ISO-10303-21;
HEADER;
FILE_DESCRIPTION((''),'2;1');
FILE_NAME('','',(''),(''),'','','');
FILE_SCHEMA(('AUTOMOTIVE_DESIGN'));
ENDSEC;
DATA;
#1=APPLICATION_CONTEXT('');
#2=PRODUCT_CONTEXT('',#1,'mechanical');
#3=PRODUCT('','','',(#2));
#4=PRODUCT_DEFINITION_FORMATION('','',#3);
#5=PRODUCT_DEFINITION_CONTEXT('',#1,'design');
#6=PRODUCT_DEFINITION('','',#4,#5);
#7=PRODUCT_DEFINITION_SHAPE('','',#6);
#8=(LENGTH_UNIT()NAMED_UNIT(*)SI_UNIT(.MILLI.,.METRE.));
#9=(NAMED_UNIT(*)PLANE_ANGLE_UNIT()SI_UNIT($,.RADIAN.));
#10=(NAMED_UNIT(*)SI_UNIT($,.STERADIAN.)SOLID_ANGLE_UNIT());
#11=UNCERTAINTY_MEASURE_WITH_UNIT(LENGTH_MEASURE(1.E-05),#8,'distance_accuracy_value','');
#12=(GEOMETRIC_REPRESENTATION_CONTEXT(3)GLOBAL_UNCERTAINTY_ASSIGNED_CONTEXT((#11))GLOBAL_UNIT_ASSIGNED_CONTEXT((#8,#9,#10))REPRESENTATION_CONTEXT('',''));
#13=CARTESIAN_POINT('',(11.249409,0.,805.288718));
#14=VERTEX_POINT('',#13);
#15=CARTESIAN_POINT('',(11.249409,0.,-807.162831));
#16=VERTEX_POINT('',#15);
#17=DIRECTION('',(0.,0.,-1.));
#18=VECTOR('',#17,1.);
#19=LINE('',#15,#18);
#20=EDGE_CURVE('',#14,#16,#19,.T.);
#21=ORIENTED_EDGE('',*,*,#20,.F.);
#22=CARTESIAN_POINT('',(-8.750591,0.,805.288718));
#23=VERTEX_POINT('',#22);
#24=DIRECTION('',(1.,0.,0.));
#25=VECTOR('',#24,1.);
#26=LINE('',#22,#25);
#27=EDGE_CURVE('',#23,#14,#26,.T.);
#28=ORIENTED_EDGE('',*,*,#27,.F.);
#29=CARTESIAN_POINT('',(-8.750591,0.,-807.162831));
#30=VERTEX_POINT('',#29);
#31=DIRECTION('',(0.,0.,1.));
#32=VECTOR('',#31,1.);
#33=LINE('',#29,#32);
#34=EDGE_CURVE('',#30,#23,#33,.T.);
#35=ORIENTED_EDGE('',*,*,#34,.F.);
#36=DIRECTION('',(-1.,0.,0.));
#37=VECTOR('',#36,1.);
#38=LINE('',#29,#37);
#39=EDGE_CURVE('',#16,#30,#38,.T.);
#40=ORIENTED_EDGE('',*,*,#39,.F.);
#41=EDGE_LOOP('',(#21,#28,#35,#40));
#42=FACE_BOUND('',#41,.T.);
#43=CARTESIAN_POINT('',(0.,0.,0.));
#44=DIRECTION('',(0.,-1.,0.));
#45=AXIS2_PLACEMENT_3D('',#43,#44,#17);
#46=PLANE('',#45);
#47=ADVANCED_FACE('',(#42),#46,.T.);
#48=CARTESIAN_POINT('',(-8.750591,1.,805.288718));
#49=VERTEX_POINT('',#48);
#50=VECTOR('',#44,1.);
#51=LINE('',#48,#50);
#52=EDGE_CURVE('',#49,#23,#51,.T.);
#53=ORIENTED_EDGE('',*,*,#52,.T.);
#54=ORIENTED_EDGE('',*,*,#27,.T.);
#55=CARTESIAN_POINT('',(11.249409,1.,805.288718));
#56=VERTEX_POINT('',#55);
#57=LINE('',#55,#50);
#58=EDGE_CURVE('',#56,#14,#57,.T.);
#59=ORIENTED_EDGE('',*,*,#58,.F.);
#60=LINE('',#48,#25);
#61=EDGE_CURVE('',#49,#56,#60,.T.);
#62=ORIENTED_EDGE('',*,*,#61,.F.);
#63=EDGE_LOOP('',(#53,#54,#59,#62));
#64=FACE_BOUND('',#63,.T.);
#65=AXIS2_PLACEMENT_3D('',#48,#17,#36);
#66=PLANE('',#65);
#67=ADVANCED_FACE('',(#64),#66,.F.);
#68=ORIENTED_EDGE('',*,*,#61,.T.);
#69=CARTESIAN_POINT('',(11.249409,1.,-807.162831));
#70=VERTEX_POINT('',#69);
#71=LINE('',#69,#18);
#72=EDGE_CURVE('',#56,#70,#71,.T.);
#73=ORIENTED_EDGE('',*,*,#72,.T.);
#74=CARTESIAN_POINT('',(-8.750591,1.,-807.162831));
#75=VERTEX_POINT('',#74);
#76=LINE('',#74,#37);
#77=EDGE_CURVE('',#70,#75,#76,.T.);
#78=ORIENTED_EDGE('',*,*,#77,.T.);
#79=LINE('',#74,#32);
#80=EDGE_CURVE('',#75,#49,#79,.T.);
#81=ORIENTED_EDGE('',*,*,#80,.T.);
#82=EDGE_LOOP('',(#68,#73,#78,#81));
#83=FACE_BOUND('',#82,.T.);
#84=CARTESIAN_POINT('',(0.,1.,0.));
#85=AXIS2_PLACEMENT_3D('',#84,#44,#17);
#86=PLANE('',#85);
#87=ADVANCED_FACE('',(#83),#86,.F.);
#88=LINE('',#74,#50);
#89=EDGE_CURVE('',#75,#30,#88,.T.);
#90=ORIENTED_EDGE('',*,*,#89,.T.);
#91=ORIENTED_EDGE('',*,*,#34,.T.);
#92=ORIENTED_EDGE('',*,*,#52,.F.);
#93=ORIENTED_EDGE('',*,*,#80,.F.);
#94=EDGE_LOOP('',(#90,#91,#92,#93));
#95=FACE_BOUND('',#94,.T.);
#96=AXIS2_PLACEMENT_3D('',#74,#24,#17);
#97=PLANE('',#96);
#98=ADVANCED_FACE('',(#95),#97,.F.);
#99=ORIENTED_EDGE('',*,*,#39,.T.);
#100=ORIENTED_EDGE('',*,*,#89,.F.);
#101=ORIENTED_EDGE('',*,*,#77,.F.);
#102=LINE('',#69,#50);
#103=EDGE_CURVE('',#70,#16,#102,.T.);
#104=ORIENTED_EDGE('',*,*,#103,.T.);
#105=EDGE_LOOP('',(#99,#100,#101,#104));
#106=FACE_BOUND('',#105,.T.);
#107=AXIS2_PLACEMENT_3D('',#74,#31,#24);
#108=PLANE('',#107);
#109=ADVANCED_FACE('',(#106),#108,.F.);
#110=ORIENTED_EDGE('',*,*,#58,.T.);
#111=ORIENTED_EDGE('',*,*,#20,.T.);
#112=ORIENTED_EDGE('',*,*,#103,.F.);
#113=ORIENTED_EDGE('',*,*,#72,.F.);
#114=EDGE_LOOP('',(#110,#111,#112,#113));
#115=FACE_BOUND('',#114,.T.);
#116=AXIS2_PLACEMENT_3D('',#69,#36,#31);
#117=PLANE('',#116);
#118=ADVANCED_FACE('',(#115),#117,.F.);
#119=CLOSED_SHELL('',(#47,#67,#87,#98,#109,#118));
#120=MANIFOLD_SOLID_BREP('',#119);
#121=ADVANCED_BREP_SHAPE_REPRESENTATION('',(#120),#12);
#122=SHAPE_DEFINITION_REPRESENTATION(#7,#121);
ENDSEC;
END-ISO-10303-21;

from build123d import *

# Parameters (mm, degrees)
SKETCH_1_W      = 20
SKETCH_1_H      = 1612.451549659
EXTRUDE_1_DEPTH = 1


with BuildPart() as part:
    # 草图1 → 凸台-拉伸1 (new body)
    with BuildSketch(Plane(origin=(0, 0, 0), x_dir=(1, 0, 0), z_dir=(0, 1, 0))):
        with Locations((1.24940883, 0.937056622)):
            Rectangle(SKETCH_1_W, SKETCH_1_H)
    extrude(amount=EXTRUDE_1_DEPTH)


solid = part.part
